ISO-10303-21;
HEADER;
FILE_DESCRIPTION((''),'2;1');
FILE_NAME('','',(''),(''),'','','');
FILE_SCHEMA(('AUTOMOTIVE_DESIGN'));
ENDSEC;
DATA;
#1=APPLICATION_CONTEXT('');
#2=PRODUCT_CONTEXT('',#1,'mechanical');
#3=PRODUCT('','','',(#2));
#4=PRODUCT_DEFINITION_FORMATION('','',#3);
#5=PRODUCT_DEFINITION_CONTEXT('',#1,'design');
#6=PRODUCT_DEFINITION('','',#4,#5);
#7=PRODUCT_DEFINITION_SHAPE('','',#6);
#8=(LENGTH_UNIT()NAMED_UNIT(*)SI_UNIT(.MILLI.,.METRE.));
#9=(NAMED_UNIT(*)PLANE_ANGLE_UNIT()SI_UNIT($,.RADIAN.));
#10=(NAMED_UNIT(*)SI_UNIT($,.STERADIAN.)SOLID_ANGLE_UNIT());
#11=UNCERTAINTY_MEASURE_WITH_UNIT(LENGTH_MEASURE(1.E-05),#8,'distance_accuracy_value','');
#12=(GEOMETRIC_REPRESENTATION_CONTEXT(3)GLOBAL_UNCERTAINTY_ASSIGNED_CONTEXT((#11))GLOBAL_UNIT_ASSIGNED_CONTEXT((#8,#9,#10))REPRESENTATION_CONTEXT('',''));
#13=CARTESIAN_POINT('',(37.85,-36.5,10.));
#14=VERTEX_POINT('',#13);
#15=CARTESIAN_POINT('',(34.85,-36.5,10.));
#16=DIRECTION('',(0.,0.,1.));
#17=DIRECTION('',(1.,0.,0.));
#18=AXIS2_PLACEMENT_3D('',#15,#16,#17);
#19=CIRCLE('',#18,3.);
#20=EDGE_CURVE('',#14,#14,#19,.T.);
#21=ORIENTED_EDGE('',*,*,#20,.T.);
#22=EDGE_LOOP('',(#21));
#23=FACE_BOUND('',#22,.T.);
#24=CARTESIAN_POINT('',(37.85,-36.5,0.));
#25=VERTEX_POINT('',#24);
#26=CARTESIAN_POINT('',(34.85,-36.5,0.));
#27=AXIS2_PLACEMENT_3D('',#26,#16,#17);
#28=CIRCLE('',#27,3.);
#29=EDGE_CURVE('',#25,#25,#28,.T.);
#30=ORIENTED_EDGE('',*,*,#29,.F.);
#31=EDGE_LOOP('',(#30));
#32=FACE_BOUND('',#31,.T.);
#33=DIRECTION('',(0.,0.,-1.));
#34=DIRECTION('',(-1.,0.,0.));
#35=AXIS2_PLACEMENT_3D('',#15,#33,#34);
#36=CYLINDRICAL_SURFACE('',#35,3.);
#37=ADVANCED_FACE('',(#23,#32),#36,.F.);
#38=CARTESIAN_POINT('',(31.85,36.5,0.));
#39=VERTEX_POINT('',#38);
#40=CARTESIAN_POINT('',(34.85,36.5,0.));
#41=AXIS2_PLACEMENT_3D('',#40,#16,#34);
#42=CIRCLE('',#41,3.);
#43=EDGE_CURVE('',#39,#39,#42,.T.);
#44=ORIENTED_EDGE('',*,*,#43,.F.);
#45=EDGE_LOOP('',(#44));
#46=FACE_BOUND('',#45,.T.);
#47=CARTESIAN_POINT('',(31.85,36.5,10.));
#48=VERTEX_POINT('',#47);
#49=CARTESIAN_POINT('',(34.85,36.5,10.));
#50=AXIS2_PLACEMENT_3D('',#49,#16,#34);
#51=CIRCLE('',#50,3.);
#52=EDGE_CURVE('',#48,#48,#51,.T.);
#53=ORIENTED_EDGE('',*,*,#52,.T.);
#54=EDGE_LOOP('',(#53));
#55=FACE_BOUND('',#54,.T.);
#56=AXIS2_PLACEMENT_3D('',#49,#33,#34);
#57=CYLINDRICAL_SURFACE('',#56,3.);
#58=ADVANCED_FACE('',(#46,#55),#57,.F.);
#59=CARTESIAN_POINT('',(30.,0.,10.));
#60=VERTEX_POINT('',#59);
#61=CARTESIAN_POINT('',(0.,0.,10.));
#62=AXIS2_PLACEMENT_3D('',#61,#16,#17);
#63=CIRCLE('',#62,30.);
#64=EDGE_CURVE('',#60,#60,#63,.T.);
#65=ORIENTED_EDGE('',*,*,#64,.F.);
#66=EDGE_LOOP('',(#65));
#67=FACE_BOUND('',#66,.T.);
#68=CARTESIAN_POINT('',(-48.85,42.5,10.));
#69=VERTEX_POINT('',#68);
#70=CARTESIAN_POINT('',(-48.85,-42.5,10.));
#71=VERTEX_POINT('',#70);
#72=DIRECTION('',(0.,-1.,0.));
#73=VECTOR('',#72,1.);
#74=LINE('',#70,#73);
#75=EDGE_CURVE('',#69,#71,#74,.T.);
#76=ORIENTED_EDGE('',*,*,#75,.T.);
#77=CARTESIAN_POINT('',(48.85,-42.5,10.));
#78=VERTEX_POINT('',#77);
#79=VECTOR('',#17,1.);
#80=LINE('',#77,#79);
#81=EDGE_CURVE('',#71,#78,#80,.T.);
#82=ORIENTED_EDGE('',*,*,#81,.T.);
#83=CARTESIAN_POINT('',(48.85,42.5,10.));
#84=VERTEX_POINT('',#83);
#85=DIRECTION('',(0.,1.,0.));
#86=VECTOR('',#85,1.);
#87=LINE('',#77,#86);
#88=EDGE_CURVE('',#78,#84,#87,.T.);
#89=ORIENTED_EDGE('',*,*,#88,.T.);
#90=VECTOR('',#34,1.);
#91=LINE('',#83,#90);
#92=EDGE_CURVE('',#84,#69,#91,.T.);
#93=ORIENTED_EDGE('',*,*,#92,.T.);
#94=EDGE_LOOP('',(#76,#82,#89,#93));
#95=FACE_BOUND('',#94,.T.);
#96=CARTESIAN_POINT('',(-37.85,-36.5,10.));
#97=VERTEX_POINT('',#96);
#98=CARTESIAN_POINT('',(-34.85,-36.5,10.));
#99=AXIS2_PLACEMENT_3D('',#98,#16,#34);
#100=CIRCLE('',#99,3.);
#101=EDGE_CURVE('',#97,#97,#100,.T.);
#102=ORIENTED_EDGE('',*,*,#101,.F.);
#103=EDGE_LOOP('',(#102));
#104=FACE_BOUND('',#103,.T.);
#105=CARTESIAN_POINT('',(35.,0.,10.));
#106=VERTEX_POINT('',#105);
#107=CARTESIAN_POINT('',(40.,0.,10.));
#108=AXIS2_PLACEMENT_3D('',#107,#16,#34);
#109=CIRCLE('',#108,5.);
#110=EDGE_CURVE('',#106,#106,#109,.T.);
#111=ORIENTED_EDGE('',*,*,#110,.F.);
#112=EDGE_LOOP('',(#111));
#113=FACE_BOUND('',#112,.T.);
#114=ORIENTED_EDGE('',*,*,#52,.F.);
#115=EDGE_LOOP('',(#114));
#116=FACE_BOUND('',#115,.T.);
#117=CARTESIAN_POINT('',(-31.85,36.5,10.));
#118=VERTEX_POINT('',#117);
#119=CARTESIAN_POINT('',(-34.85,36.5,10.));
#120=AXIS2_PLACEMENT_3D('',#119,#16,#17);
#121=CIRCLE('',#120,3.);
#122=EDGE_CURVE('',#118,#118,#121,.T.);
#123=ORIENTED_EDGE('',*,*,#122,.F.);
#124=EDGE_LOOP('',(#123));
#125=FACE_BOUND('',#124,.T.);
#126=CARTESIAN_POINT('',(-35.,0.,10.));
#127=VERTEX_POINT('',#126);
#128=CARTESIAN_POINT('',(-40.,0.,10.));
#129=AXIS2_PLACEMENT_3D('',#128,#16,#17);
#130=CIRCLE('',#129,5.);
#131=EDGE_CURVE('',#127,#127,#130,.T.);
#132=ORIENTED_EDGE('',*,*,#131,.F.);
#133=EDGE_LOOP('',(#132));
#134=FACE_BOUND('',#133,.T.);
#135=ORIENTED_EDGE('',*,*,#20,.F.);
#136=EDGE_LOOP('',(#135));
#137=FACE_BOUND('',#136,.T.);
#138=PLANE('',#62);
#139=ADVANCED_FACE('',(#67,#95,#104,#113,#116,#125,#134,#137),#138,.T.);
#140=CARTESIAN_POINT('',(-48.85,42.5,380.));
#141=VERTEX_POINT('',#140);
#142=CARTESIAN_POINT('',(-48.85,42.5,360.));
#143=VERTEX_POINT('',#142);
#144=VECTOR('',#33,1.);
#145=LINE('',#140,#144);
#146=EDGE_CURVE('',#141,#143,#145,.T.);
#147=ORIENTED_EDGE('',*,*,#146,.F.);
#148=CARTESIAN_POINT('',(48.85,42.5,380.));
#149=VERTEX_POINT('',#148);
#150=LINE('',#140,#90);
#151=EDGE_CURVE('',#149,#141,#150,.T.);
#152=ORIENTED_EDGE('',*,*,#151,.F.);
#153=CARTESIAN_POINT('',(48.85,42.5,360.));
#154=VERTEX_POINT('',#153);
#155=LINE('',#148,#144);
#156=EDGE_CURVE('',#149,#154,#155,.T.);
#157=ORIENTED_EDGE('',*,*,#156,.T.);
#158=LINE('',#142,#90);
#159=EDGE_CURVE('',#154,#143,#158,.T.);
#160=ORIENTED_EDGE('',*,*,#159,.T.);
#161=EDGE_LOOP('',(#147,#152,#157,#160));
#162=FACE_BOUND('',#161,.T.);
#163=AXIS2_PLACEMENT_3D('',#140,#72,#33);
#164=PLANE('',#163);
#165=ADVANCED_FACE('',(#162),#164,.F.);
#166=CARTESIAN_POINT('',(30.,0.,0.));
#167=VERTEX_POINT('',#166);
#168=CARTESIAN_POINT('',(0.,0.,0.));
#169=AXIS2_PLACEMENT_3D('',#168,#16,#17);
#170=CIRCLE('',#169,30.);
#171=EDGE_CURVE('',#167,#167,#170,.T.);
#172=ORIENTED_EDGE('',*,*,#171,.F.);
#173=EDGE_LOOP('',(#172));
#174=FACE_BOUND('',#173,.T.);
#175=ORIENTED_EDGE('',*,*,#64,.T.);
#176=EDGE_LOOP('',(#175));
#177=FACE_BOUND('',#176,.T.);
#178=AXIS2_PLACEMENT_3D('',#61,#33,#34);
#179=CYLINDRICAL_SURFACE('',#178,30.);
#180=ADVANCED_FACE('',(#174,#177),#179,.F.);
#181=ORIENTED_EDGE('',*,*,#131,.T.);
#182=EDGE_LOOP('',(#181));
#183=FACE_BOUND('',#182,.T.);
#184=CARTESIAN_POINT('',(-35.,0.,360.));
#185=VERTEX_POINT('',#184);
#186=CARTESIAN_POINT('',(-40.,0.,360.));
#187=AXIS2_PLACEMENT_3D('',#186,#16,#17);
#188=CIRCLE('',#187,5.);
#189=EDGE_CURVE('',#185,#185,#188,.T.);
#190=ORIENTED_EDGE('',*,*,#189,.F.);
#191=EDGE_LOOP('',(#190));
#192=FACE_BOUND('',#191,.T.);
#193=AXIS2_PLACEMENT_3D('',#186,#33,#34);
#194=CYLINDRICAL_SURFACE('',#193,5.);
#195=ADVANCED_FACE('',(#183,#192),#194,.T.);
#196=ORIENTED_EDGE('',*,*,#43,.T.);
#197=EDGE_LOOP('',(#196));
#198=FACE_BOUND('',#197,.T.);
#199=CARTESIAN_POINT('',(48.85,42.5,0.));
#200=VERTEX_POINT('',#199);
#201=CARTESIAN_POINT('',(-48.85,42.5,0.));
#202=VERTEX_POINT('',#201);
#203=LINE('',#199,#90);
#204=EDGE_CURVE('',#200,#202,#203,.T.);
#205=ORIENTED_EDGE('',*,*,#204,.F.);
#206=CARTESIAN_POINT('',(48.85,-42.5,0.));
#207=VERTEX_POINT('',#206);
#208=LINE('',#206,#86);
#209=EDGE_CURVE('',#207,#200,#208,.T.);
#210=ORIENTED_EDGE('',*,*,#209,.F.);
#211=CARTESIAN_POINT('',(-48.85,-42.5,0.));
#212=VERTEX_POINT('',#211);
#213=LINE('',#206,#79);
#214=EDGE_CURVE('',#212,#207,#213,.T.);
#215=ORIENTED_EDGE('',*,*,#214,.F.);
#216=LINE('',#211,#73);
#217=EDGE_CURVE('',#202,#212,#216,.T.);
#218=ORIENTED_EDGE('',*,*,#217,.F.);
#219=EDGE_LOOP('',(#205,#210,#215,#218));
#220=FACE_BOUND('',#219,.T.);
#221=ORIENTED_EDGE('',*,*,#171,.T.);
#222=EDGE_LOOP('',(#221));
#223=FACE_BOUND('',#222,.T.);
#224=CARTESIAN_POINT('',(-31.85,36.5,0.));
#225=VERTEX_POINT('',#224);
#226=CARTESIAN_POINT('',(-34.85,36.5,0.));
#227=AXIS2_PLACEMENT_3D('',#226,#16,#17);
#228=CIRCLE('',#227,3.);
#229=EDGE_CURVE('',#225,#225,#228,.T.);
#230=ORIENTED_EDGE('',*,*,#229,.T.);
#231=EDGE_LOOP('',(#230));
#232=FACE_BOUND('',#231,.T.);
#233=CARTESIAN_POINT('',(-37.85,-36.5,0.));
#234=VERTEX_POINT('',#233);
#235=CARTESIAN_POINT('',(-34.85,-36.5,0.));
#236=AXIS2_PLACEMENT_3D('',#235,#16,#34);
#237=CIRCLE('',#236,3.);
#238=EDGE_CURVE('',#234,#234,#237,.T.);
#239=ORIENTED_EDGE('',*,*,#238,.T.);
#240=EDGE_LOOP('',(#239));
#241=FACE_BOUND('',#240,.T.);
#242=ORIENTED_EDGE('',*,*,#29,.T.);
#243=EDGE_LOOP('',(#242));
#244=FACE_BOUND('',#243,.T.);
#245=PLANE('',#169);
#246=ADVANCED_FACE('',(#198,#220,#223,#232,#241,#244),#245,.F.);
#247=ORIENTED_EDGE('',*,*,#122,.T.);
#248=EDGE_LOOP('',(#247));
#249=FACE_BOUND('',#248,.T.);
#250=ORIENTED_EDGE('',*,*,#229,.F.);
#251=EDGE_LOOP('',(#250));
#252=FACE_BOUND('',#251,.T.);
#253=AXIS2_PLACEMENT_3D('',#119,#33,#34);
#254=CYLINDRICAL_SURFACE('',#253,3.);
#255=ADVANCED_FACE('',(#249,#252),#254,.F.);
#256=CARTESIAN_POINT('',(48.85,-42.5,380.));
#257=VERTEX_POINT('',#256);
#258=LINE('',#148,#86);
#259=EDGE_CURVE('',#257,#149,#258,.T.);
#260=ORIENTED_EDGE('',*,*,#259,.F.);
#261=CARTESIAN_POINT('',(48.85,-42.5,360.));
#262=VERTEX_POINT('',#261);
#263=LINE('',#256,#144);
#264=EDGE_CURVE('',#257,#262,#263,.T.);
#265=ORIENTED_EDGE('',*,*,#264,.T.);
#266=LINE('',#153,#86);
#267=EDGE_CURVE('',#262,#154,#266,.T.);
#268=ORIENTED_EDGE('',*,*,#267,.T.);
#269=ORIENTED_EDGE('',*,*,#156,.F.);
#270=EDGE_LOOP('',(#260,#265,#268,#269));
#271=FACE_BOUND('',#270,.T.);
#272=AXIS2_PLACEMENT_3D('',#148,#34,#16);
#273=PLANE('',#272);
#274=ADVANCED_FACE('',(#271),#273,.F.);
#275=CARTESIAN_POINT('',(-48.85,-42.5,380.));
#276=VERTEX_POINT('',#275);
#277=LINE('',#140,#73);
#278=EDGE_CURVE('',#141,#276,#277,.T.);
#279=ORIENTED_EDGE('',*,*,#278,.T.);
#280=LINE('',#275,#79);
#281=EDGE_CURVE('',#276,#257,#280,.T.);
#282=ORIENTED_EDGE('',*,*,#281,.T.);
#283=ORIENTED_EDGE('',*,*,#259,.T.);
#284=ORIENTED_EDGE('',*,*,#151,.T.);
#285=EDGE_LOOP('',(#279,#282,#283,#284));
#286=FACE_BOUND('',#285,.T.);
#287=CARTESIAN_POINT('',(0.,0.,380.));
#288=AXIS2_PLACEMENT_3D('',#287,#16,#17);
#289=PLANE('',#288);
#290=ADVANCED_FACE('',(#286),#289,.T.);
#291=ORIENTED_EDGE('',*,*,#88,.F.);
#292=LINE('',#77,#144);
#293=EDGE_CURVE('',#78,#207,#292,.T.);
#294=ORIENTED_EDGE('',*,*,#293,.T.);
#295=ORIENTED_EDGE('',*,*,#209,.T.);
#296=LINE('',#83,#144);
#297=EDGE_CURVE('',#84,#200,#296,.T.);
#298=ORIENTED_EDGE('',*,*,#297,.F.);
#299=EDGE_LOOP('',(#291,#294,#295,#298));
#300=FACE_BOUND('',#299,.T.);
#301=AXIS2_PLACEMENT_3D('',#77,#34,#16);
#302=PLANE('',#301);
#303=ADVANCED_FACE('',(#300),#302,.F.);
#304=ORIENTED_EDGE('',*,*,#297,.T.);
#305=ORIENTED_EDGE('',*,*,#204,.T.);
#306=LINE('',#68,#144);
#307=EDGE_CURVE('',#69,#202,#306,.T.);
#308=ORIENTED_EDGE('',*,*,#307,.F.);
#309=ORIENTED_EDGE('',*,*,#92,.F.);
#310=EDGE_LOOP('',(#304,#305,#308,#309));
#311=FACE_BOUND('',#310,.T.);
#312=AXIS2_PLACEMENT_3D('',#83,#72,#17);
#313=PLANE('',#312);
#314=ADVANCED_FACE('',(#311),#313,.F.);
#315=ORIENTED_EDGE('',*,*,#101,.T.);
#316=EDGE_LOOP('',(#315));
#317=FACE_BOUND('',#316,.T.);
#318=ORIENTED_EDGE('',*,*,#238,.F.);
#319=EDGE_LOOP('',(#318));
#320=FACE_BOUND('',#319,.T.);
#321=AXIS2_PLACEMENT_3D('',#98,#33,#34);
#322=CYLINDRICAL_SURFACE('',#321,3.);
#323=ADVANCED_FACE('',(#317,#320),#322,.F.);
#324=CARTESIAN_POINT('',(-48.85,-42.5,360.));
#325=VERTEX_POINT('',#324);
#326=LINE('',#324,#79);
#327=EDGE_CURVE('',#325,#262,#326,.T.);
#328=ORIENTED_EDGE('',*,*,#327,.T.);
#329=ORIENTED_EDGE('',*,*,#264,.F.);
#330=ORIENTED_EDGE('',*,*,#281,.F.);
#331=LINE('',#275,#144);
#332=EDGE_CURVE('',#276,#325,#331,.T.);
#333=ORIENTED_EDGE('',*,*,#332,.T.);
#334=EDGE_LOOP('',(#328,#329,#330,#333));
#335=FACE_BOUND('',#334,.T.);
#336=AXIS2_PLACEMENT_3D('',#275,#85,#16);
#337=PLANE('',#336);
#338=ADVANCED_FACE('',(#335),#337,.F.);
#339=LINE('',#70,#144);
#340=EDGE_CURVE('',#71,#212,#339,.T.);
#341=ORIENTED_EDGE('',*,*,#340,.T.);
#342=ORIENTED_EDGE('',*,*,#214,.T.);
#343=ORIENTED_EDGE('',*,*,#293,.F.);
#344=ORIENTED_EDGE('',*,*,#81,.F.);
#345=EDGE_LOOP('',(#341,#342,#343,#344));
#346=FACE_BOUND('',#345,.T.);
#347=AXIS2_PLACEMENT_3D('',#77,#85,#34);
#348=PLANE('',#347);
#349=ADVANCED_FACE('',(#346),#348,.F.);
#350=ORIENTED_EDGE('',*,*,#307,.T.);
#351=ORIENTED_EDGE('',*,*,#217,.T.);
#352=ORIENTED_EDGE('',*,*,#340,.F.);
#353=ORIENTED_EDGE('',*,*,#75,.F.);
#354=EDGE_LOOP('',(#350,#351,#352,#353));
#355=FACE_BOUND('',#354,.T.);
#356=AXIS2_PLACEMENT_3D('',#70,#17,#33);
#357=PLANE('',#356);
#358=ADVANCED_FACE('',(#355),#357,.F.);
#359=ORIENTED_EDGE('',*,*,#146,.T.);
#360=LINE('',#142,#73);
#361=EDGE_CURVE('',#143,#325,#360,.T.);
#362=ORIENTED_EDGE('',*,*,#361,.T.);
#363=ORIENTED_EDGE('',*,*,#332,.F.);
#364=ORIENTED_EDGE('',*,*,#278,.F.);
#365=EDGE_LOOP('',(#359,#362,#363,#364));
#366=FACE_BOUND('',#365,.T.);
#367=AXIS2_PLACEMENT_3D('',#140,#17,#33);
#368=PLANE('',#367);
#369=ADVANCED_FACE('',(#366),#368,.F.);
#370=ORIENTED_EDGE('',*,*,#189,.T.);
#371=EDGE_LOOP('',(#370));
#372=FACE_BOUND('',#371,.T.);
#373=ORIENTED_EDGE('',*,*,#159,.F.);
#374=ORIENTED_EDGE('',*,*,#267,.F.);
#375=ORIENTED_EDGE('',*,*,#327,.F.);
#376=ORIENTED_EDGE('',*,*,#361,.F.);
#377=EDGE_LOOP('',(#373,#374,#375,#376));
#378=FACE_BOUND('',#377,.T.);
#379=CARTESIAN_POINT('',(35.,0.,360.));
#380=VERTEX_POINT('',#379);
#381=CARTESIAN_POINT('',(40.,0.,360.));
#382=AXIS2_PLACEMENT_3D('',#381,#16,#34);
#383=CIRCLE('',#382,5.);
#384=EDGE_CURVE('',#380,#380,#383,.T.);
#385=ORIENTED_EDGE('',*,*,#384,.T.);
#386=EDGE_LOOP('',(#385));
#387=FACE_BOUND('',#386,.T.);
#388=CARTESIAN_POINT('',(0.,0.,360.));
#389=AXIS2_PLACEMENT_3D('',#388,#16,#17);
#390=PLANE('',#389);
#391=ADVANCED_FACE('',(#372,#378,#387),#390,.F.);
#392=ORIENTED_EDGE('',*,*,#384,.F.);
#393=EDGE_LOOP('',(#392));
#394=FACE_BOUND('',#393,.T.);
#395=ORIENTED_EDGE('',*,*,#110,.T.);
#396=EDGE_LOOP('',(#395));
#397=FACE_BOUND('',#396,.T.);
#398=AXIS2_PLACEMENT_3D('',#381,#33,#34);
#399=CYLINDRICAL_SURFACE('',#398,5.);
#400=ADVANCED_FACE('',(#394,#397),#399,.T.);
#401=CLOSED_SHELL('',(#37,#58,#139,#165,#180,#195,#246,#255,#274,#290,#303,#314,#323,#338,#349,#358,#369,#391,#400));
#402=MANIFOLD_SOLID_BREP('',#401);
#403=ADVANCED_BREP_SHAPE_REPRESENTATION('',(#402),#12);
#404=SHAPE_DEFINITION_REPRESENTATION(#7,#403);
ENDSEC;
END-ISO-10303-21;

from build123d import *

# Parameters (mm, degrees)
CROQUIS1_W              = 97.7
CROQUIS1_H              = 85
CROQUIS1_R              = 3
CROQUIS1_R_2            = 30
SALIENTE_EXTRUIR1_DEPTH = 10
CROQUIS2_R              = 5
SALIENTE_EXTRUIR2_DEPTH = 350
CROQUIS3_W              = 97.7
CROQUIS3_H              = 85
SALIENTE_EXTRUIR3_DEPTH = 20


with BuildPart() as part:
    # Croquis1 → Saliente-Extruir1 (new body)
    with BuildSketch(Plane.XY):
        Rectangle(CROQUIS1_W, CROQUIS1_H)
        with Locations((-34.85, 36.5)):
            Circle(CROQUIS1_R, mode=Mode.SUBTRACT)
        Circle(CROQUIS1_R_2, mode=Mode.SUBTRACT)
        with Locations(Location((34.85, 36.5, 0), (0, 0, 180))):
            Circle(CROQUIS1_R, mode=Mode.SUBTRACT)
        with Locations((34.85, -36.5)):
            Circle(CROQUIS1_R, mode=Mode.SUBTRACT)
        with Locations(Location((-34.85, -36.5, 0), (0, 0, 180))):
            Circle(CROQUIS1_R, mode=Mode.SUBTRACT)
    extrude(amount=SALIENTE_EXTRUIR1_DEPTH)

    # Croquis2 → Saliente-Extruir2 (add)
    with BuildSketch(Plane.XY.offset(10)):
        with Locations((-40, 0)):
            Circle(CROQUIS2_R)
        with Locations(Location((40, 0, 0), (0, 0, 180))):
            Circle(CROQUIS2_R)
    extrude(amount=SALIENTE_EXTRUIR2_DEPTH)

    # Croquis3 → Saliente-Extruir3 (add)
    with BuildSketch(Plane.XY.offset(360)):
        Rectangle(CROQUIS3_W, CROQUIS3_H)
    extrude(amount=SALIENTE_EXTRUIR3_DEPTH)


solid = part.part
